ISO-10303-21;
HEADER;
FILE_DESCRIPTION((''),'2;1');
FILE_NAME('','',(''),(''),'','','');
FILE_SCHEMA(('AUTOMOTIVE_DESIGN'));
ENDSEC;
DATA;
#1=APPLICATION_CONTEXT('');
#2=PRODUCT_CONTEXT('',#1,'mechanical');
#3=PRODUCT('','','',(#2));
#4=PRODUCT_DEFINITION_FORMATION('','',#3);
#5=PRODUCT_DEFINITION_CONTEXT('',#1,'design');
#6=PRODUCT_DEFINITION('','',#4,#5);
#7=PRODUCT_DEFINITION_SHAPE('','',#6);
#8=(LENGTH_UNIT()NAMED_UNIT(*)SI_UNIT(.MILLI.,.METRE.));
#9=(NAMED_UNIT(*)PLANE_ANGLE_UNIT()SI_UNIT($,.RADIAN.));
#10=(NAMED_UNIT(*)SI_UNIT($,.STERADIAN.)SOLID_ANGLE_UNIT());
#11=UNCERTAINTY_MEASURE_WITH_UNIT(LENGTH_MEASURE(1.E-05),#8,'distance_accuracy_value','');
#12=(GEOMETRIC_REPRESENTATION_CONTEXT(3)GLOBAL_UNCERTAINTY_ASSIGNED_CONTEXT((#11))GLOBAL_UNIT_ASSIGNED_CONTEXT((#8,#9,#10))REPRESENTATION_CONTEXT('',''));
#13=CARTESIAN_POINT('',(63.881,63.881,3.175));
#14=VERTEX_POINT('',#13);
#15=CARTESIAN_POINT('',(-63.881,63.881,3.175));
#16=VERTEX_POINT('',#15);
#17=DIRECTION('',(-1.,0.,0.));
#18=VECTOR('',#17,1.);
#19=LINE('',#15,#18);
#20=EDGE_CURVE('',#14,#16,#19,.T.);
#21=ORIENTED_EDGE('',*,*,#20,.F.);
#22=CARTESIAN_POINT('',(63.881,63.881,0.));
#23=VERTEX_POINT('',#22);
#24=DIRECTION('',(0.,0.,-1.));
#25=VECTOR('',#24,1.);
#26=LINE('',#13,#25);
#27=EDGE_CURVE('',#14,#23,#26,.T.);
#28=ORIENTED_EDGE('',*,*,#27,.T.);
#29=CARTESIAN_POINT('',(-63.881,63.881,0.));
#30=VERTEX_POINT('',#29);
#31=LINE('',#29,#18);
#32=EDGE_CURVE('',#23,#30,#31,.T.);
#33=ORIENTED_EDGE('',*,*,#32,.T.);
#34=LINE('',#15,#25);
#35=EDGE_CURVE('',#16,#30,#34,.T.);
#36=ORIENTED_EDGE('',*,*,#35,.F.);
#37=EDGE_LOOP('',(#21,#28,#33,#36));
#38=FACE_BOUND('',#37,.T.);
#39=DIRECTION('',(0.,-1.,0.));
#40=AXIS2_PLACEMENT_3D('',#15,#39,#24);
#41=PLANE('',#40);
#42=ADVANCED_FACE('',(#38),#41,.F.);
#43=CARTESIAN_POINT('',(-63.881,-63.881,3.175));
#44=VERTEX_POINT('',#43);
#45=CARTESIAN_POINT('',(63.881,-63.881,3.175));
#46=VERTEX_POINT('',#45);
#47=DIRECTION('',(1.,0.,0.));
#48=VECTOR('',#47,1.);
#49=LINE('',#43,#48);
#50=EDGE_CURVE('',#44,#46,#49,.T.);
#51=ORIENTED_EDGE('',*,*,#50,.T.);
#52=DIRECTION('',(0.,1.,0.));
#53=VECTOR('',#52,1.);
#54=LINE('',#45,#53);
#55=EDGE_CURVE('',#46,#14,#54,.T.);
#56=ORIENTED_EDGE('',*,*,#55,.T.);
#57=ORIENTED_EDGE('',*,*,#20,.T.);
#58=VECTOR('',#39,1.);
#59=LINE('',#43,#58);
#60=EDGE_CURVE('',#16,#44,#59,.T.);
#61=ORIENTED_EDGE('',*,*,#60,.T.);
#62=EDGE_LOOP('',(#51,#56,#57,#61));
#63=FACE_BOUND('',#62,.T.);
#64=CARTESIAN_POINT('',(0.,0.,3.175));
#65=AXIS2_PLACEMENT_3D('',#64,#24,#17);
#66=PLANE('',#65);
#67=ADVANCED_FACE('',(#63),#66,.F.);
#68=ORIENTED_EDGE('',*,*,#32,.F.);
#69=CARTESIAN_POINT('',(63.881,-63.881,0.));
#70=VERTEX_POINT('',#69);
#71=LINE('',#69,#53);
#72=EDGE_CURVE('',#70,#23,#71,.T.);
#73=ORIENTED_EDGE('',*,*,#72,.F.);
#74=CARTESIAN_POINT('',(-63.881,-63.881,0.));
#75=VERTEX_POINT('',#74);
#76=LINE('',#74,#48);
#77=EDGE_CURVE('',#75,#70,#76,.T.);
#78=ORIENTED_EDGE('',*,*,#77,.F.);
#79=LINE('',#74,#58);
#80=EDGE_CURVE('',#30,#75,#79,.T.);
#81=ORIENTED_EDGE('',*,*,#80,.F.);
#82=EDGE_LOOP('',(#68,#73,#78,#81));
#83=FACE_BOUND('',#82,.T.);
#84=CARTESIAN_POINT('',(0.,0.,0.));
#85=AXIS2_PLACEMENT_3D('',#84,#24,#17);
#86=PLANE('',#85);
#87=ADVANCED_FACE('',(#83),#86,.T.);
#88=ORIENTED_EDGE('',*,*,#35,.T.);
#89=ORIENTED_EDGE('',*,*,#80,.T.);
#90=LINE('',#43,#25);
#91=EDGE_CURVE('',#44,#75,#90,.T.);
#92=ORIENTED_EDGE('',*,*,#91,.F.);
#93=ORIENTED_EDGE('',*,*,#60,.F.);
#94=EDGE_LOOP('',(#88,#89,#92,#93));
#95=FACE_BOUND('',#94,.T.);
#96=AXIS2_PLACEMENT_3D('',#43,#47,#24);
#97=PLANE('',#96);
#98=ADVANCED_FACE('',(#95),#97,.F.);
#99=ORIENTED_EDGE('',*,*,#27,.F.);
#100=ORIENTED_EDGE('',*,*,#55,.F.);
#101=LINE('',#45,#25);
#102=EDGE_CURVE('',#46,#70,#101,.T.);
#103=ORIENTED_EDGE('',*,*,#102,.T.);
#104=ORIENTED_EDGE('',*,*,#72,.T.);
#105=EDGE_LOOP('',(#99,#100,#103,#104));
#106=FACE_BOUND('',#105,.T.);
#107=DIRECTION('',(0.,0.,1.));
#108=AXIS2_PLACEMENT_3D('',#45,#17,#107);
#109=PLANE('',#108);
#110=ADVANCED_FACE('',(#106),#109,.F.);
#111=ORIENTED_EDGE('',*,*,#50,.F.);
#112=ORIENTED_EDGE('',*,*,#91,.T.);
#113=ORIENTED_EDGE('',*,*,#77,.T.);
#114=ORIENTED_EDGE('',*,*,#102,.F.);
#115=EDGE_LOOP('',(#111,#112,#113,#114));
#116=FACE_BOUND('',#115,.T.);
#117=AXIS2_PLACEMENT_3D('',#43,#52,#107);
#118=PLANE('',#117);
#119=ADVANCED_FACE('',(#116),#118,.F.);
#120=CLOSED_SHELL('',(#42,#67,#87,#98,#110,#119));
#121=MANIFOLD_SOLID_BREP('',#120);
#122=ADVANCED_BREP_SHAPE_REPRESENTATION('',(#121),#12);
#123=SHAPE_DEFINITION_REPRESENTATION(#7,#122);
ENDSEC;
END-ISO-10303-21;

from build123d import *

# Parameters (mm, degrees)
SKETCH1_W           = 127.762
SKETCH1_H           = 127.762
BOSS_EXTRUDE1_DEPTH = 3.175


with BuildPart() as part:
    # Sketch1 → Boss-Extrude1 (new body)
    with BuildSketch(Plane.XY):
        Rectangle(SKETCH1_W, SKETCH1_H)
    extrude(amount=BOSS_EXTRUDE1_DEPTH)


solid = part.part
